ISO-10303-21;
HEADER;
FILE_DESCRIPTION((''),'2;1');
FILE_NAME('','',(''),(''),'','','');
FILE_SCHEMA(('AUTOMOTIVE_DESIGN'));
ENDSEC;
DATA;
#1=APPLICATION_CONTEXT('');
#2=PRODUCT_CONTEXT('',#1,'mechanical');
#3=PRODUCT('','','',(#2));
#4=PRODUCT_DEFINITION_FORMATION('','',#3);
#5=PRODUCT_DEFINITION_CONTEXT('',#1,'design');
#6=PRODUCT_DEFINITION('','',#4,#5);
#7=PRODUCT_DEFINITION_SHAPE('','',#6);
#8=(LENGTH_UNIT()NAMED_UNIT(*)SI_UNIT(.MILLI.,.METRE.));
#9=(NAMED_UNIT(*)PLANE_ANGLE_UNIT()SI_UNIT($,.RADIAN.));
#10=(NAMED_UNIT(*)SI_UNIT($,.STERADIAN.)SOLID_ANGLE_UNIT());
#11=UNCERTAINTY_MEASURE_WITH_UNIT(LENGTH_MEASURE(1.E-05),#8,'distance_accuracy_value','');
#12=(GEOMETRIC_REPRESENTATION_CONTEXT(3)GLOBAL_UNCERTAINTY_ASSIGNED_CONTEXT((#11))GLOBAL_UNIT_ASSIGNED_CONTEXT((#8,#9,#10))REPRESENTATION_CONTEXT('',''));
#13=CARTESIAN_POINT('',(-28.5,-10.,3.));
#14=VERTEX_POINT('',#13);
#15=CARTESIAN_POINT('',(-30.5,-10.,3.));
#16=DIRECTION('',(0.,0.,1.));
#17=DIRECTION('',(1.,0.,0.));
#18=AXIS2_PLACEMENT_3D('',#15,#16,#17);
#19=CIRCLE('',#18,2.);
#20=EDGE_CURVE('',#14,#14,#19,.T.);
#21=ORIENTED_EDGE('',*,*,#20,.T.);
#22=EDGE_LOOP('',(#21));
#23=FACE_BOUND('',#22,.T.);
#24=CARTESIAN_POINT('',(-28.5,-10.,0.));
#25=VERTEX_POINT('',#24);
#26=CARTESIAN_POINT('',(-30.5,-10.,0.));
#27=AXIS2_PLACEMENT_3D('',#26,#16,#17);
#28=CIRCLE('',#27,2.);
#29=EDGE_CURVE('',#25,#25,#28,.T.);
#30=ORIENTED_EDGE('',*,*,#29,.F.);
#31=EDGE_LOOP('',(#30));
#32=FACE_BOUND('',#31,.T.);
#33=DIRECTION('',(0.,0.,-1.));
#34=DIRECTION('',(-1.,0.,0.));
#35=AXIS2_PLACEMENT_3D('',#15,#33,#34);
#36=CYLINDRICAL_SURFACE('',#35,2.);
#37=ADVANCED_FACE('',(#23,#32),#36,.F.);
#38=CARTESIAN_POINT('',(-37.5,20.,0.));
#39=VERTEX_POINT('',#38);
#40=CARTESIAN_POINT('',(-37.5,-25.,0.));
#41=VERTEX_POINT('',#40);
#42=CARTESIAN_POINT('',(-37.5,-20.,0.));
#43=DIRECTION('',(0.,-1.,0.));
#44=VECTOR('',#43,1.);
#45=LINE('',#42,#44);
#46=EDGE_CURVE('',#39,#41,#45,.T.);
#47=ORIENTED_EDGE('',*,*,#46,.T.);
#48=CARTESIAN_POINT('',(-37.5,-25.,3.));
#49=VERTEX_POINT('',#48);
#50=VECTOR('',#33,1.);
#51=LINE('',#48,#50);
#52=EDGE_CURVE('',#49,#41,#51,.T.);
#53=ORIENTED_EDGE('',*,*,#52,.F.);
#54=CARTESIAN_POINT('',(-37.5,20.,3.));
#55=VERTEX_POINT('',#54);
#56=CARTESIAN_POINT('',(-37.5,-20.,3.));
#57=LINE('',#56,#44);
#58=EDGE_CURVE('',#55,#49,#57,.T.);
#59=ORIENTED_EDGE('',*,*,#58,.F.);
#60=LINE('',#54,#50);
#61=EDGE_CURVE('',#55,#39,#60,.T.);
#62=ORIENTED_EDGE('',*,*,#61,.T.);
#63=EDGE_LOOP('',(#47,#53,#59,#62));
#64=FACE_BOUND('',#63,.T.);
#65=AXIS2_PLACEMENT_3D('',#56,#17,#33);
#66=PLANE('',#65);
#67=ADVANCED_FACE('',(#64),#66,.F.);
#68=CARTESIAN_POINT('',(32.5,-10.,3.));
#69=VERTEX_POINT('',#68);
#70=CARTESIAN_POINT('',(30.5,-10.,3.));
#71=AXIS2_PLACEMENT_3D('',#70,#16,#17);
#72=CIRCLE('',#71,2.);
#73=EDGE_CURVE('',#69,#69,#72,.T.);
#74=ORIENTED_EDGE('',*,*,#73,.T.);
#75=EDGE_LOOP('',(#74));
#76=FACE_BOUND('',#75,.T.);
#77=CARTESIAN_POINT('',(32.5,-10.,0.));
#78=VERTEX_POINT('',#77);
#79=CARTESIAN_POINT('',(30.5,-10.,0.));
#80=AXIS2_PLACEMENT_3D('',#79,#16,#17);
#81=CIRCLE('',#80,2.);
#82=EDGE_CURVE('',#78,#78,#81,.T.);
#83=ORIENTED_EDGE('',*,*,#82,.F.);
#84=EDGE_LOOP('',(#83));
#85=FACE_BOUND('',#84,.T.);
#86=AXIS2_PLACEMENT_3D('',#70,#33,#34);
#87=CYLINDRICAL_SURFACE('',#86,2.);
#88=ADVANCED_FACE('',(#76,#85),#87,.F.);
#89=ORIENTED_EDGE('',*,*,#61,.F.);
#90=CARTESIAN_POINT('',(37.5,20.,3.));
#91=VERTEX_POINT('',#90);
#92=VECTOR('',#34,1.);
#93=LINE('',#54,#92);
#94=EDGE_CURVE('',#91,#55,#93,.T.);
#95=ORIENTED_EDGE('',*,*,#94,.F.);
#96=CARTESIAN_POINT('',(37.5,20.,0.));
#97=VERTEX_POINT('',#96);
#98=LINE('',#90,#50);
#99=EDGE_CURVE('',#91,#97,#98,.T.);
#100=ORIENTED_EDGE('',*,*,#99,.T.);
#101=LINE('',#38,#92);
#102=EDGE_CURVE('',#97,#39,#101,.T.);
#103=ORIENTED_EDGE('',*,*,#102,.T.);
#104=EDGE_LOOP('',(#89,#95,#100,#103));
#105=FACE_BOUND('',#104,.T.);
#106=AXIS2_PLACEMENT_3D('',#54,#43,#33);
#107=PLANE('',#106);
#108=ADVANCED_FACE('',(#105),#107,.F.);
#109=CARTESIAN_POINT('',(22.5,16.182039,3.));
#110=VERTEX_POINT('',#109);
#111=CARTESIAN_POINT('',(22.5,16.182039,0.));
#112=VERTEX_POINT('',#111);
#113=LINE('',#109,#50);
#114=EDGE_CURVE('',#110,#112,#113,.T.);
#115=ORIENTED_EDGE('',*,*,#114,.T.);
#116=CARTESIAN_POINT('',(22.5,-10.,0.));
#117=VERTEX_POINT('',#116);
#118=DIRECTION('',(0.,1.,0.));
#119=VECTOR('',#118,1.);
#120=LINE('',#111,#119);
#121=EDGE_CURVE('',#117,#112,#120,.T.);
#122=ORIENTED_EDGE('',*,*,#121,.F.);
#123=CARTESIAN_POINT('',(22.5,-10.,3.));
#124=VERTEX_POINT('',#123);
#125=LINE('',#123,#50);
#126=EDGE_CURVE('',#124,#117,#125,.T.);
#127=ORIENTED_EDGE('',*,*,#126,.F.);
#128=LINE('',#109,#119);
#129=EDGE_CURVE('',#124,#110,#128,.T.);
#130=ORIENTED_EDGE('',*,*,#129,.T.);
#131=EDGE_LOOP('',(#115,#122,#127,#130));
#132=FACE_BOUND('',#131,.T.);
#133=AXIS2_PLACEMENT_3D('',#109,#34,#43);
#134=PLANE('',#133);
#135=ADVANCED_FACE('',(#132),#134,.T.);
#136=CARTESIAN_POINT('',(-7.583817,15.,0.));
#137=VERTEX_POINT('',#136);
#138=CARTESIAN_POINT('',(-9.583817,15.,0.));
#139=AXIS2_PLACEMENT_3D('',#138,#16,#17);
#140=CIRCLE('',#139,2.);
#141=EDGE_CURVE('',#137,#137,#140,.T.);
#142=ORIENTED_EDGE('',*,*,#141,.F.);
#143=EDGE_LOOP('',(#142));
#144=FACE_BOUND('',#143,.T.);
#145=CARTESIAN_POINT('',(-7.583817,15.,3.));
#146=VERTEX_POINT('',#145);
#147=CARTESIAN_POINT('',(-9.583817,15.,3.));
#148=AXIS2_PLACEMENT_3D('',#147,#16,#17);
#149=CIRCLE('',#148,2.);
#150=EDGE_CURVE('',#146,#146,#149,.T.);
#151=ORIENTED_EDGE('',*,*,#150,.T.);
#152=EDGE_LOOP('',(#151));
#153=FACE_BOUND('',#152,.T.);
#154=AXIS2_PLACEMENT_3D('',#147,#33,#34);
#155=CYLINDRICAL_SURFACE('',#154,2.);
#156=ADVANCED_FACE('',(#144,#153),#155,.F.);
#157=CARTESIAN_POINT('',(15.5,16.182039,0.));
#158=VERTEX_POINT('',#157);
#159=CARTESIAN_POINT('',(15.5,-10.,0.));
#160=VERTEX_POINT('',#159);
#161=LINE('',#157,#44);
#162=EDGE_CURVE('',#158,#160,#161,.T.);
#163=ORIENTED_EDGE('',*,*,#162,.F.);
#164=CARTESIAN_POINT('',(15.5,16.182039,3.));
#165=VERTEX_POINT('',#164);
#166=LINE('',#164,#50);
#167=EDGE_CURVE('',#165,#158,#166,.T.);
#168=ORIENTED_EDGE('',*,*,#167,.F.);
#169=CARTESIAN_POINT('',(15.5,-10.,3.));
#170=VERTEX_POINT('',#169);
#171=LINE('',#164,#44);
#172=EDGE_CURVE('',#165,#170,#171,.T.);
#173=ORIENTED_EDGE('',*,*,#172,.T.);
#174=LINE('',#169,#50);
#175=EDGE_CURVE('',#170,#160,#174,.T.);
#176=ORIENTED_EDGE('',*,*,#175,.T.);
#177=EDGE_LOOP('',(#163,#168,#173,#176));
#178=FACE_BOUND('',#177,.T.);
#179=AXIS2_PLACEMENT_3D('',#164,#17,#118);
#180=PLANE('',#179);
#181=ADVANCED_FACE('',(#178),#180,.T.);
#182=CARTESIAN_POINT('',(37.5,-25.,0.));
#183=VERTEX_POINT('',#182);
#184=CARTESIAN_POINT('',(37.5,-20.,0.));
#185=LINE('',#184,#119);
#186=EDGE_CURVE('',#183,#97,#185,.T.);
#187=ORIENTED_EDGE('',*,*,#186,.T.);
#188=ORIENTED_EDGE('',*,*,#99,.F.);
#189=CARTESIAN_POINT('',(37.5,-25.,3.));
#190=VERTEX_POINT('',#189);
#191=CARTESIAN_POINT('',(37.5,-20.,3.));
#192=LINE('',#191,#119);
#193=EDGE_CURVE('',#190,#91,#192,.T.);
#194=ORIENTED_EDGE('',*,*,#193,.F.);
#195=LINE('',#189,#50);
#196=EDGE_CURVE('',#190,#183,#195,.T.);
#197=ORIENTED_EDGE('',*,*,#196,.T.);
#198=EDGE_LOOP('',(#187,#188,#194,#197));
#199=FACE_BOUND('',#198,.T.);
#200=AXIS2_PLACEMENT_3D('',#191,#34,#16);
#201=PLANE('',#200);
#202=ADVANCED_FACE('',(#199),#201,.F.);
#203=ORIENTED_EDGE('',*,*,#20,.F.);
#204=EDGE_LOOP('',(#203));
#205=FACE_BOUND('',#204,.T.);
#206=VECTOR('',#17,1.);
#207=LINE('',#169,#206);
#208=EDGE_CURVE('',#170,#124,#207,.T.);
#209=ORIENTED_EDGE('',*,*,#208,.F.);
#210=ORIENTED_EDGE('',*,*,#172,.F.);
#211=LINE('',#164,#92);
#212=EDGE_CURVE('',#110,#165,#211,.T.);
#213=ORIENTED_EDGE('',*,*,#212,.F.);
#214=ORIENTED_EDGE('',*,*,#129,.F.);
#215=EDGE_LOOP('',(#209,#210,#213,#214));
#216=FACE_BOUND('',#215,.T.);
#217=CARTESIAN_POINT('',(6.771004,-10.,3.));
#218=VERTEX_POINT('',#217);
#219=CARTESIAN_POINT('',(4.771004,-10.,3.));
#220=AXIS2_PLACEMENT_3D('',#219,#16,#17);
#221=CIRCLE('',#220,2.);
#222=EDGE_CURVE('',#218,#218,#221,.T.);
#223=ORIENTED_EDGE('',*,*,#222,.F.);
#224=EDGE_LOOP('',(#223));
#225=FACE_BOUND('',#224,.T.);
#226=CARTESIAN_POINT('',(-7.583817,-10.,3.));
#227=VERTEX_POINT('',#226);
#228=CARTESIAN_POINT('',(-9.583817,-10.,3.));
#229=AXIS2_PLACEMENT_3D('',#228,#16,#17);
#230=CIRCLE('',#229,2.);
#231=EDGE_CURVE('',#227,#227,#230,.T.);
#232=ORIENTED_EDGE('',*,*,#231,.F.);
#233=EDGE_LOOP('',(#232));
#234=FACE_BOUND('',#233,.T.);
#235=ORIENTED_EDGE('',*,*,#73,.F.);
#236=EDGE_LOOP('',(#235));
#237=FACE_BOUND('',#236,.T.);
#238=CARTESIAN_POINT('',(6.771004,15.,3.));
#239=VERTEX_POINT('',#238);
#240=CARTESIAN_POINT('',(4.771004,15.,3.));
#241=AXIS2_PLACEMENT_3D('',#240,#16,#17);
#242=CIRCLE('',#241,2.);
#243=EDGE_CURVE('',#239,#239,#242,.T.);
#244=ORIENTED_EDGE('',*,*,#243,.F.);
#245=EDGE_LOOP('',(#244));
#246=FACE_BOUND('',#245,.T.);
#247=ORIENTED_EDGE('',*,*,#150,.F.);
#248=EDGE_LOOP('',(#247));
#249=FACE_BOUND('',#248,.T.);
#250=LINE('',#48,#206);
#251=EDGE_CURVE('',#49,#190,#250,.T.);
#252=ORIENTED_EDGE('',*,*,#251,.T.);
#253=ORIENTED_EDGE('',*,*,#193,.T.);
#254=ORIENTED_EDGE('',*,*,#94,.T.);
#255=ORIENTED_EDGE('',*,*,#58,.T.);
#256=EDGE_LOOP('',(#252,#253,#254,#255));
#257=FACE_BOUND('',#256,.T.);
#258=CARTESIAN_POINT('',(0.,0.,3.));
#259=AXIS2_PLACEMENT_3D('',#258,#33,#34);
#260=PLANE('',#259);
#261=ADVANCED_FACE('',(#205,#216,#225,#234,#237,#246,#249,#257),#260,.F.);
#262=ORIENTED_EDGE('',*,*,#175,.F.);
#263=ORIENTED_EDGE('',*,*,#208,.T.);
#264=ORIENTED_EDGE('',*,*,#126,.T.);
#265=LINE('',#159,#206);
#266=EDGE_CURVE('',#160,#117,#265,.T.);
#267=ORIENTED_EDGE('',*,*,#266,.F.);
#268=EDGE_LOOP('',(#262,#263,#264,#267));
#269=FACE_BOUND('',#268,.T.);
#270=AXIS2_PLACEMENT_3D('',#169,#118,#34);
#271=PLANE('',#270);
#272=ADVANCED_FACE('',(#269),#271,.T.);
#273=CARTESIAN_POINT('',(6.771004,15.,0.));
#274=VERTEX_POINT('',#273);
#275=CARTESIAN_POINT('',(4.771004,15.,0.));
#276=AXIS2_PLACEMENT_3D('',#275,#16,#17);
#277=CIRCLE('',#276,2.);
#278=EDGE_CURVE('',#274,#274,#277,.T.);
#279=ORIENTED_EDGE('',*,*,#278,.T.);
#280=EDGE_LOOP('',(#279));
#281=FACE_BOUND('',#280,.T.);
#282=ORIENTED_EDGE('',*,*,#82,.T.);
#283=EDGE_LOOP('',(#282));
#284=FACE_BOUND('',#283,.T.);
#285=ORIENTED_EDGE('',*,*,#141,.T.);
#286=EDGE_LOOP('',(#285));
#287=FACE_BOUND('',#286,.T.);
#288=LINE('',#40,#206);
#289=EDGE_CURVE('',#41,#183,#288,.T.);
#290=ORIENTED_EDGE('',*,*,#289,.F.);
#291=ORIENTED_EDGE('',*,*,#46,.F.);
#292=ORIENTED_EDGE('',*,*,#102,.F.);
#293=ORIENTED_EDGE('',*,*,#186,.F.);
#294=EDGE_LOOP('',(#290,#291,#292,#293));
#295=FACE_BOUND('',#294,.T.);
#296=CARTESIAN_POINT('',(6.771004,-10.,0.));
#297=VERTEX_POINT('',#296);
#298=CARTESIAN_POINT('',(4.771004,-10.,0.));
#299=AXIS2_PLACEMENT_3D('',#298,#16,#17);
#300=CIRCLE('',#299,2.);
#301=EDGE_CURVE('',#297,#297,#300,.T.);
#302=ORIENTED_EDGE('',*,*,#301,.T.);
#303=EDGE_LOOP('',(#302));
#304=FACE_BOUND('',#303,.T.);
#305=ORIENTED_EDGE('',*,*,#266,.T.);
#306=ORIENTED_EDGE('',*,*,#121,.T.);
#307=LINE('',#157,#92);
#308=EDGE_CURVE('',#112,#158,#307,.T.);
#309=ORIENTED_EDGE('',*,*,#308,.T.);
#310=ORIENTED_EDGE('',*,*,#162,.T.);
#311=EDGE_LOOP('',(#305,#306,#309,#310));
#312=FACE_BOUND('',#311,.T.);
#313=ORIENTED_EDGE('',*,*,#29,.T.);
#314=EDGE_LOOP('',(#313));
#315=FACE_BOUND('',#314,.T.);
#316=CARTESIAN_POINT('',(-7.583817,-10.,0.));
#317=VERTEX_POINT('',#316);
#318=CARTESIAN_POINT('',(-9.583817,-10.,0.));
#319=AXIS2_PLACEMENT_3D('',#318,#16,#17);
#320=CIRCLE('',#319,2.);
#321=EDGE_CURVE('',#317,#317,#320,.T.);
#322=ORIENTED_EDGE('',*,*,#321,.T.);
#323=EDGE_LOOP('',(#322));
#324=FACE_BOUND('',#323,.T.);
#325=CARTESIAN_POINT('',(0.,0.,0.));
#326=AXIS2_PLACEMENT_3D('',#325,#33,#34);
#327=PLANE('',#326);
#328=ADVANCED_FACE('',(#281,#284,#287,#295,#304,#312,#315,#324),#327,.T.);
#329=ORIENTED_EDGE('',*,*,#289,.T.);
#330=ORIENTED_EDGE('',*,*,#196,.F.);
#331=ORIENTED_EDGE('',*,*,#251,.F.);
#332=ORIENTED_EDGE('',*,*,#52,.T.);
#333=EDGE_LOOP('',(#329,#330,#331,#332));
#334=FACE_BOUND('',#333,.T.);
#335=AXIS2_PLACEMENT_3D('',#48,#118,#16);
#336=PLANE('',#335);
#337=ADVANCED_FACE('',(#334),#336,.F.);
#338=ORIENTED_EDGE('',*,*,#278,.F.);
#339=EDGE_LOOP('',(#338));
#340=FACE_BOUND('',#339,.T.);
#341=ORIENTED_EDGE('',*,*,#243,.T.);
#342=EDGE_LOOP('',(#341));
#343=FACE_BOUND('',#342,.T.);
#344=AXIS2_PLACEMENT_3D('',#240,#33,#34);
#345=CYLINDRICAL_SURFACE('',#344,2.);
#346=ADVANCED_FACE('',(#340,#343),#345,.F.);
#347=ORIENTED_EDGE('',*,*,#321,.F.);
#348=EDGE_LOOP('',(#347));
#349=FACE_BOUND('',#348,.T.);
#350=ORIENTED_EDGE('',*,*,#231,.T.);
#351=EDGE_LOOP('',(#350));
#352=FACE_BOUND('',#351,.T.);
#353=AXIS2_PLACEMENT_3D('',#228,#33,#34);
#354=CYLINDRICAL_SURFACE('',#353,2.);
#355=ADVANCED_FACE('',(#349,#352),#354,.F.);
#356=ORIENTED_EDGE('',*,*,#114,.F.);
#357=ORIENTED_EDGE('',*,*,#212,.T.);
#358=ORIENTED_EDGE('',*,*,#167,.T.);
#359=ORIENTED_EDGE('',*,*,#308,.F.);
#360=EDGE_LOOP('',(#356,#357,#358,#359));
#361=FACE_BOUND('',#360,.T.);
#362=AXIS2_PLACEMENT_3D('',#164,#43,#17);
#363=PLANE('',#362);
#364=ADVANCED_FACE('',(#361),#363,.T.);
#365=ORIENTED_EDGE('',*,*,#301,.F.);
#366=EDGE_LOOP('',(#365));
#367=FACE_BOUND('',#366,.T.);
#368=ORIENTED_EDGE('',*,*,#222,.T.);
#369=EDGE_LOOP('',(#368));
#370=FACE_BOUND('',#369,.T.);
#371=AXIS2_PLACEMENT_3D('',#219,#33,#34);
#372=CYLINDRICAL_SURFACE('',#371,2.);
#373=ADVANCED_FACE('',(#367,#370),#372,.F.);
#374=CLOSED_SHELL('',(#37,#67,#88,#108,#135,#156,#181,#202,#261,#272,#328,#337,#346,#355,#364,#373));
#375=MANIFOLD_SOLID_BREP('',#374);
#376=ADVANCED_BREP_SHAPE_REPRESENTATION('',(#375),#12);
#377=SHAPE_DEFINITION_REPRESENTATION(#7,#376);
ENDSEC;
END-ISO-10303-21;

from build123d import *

# Parameters (mm, degrees)
SKETCH1_W           = 75
SKETCH1_H           = 40
SKETCH1_R           = 2
SKETCH1_W_2         = 7
SKETCH1_H_2         = 26.182038529
BOSS_EXTRUDE1_DEPTH = 3
SKETCH2_W           = 75
SKETCH2_H           = 5
BOSS_EXTRUDE2_DEPTH = 3


with BuildPart() as part:
    # Sketch1 → Boss-Extrude1 (new body)
    with BuildSketch(Plane.XY):
        Rectangle(SKETCH1_W, SKETCH1_H)
        with Locations((-30.5, -10)):
            Circle(SKETCH1_R, mode=Mode.SUBTRACT)
        with Locations((30.5, -10)):
            Circle(SKETCH1_R, mode=Mode.SUBTRACT)
        with Locations((4.771003885, 15)):
            Circle(SKETCH1_R, mode=Mode.SUBTRACT)
        with Locations((4.771003885, -10)):
            Circle(SKETCH1_R, mode=Mode.SUBTRACT)
        with Locations((-9.583817368, -10)):
            Circle(SKETCH1_R, mode=Mode.SUBTRACT)
        with Locations((-9.583817368, 15)):
            Circle(SKETCH1_R, mode=Mode.SUBTRACT)
        with Locations((19, 3.091019264)):
            Rectangle(SKETCH1_W_2, SKETCH1_H_2, mode=Mode.SUBTRACT)
    extrude(amount=BOSS_EXTRUDE1_DEPTH)

    # Sketch2 → Boss-Extrude2 (add)
    with BuildSketch(Plane.XY):
        with Locations((0, -22.5)):
            Rectangle(SKETCH2_W, SKETCH2_H)
    extrude(amount=BOSS_EXTRUDE2_DEPTH)


solid = part.part
